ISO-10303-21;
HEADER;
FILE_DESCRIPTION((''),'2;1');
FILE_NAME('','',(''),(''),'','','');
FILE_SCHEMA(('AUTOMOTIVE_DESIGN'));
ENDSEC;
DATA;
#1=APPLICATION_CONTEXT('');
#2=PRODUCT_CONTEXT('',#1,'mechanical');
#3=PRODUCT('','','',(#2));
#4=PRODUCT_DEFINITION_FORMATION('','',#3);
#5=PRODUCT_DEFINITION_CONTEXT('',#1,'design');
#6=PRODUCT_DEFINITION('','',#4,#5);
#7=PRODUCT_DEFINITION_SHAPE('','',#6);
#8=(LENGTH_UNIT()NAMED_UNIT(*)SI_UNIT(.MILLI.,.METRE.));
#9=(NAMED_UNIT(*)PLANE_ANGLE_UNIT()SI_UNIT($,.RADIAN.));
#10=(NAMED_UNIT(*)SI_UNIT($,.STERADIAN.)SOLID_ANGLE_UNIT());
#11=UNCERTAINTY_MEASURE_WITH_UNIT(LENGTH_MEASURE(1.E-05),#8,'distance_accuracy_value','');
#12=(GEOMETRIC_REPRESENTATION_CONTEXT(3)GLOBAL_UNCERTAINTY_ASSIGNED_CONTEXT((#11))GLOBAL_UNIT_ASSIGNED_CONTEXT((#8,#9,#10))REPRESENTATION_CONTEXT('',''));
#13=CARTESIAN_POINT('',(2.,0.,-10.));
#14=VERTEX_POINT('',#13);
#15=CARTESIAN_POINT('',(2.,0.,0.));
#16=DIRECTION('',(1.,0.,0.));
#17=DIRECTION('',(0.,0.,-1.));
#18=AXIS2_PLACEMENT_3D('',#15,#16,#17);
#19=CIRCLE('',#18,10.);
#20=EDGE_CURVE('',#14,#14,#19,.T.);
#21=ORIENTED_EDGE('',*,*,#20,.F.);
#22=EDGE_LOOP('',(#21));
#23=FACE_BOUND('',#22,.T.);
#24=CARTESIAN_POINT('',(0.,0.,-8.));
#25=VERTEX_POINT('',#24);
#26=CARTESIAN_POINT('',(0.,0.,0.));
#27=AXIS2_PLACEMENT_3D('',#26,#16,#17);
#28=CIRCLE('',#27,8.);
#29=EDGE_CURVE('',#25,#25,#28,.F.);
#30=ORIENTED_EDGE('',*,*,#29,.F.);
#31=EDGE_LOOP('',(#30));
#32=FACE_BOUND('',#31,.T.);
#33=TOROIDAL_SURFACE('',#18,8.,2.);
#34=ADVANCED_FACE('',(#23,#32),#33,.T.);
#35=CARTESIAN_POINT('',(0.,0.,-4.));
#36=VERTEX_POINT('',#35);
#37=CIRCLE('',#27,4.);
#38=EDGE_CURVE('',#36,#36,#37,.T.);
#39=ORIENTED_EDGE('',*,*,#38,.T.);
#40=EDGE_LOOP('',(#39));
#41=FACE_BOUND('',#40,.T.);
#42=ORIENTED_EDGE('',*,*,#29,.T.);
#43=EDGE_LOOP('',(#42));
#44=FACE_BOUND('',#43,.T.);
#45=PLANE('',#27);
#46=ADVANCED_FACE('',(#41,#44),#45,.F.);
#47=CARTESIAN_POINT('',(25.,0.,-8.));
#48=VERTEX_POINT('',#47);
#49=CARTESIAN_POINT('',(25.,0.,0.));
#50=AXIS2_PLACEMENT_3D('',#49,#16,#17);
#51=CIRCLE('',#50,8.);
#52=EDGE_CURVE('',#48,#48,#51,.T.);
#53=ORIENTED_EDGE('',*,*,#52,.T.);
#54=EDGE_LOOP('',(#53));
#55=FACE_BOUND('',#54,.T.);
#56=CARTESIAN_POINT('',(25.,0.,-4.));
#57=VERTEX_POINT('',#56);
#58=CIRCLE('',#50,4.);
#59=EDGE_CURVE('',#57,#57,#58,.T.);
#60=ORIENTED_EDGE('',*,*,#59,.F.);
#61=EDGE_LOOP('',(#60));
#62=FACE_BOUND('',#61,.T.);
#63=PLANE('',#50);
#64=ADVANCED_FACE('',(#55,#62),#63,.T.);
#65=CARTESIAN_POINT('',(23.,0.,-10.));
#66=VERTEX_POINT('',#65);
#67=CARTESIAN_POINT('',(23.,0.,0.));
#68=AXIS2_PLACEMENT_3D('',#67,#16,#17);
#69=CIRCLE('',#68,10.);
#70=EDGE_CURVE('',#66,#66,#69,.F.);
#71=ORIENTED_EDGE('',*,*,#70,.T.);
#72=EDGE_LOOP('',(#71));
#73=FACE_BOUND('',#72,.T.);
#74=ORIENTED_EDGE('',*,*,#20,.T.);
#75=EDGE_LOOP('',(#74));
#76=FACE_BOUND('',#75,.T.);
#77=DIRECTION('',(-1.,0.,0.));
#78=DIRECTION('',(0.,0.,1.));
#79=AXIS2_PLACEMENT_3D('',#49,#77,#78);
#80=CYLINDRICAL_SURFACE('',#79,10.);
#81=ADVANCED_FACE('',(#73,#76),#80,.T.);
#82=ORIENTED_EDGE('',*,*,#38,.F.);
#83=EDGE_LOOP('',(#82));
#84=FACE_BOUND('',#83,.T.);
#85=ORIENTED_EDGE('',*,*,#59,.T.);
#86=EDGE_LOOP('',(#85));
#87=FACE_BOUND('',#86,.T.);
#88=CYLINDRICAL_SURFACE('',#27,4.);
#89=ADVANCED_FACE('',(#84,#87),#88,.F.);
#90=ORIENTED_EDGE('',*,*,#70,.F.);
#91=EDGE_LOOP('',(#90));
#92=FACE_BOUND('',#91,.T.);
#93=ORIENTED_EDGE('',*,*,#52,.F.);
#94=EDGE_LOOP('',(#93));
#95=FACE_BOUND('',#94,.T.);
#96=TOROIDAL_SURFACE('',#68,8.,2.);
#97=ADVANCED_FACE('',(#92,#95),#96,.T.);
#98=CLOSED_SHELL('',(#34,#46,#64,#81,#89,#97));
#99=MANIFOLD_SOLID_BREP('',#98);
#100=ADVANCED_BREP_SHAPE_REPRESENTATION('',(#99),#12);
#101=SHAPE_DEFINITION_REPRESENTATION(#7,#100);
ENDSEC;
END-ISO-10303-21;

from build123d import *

# Parameters (mm, degrees)
SKETCH1_R           = 10
BOSS_EXTRUDE1_DEPTH = 25
SKETCH2_R           = 4
CUT_EXTRUDE1_DEPTH  = 26
FILLET1_R           = 2


with BuildPart() as part:
    # Sketch1 → Boss-Extrude1 (new body)
    with BuildSketch(Plane(origin=(0, 0, 0), x_dir=(0, 0, -1), z_dir=(1, 0, 0))):
        Circle(SKETCH1_R)
    extrude(amount=BOSS_EXTRUDE1_DEPTH)

    # Sketch2 → Cut-Extrude1 (cut, through all)
    with BuildSketch(Plane(origin=(25, 0, 0), x_dir=(0, 0, -1), z_dir=(1, 0, 0))):
        Circle(SKETCH2_R)
    extrude(amount=-CUT_EXTRUDE1_DEPTH, mode=Mode.SUBTRACT)

    # Fillet1
    fillet1_edges = [part.edges().sort_by_distance(p)[0] for p in [
        (0, 0, 10),
        (25, 0, 10),
    ]]
    fillet(fillet1_edges, radius=FILLET1_R)


solid = part.part
